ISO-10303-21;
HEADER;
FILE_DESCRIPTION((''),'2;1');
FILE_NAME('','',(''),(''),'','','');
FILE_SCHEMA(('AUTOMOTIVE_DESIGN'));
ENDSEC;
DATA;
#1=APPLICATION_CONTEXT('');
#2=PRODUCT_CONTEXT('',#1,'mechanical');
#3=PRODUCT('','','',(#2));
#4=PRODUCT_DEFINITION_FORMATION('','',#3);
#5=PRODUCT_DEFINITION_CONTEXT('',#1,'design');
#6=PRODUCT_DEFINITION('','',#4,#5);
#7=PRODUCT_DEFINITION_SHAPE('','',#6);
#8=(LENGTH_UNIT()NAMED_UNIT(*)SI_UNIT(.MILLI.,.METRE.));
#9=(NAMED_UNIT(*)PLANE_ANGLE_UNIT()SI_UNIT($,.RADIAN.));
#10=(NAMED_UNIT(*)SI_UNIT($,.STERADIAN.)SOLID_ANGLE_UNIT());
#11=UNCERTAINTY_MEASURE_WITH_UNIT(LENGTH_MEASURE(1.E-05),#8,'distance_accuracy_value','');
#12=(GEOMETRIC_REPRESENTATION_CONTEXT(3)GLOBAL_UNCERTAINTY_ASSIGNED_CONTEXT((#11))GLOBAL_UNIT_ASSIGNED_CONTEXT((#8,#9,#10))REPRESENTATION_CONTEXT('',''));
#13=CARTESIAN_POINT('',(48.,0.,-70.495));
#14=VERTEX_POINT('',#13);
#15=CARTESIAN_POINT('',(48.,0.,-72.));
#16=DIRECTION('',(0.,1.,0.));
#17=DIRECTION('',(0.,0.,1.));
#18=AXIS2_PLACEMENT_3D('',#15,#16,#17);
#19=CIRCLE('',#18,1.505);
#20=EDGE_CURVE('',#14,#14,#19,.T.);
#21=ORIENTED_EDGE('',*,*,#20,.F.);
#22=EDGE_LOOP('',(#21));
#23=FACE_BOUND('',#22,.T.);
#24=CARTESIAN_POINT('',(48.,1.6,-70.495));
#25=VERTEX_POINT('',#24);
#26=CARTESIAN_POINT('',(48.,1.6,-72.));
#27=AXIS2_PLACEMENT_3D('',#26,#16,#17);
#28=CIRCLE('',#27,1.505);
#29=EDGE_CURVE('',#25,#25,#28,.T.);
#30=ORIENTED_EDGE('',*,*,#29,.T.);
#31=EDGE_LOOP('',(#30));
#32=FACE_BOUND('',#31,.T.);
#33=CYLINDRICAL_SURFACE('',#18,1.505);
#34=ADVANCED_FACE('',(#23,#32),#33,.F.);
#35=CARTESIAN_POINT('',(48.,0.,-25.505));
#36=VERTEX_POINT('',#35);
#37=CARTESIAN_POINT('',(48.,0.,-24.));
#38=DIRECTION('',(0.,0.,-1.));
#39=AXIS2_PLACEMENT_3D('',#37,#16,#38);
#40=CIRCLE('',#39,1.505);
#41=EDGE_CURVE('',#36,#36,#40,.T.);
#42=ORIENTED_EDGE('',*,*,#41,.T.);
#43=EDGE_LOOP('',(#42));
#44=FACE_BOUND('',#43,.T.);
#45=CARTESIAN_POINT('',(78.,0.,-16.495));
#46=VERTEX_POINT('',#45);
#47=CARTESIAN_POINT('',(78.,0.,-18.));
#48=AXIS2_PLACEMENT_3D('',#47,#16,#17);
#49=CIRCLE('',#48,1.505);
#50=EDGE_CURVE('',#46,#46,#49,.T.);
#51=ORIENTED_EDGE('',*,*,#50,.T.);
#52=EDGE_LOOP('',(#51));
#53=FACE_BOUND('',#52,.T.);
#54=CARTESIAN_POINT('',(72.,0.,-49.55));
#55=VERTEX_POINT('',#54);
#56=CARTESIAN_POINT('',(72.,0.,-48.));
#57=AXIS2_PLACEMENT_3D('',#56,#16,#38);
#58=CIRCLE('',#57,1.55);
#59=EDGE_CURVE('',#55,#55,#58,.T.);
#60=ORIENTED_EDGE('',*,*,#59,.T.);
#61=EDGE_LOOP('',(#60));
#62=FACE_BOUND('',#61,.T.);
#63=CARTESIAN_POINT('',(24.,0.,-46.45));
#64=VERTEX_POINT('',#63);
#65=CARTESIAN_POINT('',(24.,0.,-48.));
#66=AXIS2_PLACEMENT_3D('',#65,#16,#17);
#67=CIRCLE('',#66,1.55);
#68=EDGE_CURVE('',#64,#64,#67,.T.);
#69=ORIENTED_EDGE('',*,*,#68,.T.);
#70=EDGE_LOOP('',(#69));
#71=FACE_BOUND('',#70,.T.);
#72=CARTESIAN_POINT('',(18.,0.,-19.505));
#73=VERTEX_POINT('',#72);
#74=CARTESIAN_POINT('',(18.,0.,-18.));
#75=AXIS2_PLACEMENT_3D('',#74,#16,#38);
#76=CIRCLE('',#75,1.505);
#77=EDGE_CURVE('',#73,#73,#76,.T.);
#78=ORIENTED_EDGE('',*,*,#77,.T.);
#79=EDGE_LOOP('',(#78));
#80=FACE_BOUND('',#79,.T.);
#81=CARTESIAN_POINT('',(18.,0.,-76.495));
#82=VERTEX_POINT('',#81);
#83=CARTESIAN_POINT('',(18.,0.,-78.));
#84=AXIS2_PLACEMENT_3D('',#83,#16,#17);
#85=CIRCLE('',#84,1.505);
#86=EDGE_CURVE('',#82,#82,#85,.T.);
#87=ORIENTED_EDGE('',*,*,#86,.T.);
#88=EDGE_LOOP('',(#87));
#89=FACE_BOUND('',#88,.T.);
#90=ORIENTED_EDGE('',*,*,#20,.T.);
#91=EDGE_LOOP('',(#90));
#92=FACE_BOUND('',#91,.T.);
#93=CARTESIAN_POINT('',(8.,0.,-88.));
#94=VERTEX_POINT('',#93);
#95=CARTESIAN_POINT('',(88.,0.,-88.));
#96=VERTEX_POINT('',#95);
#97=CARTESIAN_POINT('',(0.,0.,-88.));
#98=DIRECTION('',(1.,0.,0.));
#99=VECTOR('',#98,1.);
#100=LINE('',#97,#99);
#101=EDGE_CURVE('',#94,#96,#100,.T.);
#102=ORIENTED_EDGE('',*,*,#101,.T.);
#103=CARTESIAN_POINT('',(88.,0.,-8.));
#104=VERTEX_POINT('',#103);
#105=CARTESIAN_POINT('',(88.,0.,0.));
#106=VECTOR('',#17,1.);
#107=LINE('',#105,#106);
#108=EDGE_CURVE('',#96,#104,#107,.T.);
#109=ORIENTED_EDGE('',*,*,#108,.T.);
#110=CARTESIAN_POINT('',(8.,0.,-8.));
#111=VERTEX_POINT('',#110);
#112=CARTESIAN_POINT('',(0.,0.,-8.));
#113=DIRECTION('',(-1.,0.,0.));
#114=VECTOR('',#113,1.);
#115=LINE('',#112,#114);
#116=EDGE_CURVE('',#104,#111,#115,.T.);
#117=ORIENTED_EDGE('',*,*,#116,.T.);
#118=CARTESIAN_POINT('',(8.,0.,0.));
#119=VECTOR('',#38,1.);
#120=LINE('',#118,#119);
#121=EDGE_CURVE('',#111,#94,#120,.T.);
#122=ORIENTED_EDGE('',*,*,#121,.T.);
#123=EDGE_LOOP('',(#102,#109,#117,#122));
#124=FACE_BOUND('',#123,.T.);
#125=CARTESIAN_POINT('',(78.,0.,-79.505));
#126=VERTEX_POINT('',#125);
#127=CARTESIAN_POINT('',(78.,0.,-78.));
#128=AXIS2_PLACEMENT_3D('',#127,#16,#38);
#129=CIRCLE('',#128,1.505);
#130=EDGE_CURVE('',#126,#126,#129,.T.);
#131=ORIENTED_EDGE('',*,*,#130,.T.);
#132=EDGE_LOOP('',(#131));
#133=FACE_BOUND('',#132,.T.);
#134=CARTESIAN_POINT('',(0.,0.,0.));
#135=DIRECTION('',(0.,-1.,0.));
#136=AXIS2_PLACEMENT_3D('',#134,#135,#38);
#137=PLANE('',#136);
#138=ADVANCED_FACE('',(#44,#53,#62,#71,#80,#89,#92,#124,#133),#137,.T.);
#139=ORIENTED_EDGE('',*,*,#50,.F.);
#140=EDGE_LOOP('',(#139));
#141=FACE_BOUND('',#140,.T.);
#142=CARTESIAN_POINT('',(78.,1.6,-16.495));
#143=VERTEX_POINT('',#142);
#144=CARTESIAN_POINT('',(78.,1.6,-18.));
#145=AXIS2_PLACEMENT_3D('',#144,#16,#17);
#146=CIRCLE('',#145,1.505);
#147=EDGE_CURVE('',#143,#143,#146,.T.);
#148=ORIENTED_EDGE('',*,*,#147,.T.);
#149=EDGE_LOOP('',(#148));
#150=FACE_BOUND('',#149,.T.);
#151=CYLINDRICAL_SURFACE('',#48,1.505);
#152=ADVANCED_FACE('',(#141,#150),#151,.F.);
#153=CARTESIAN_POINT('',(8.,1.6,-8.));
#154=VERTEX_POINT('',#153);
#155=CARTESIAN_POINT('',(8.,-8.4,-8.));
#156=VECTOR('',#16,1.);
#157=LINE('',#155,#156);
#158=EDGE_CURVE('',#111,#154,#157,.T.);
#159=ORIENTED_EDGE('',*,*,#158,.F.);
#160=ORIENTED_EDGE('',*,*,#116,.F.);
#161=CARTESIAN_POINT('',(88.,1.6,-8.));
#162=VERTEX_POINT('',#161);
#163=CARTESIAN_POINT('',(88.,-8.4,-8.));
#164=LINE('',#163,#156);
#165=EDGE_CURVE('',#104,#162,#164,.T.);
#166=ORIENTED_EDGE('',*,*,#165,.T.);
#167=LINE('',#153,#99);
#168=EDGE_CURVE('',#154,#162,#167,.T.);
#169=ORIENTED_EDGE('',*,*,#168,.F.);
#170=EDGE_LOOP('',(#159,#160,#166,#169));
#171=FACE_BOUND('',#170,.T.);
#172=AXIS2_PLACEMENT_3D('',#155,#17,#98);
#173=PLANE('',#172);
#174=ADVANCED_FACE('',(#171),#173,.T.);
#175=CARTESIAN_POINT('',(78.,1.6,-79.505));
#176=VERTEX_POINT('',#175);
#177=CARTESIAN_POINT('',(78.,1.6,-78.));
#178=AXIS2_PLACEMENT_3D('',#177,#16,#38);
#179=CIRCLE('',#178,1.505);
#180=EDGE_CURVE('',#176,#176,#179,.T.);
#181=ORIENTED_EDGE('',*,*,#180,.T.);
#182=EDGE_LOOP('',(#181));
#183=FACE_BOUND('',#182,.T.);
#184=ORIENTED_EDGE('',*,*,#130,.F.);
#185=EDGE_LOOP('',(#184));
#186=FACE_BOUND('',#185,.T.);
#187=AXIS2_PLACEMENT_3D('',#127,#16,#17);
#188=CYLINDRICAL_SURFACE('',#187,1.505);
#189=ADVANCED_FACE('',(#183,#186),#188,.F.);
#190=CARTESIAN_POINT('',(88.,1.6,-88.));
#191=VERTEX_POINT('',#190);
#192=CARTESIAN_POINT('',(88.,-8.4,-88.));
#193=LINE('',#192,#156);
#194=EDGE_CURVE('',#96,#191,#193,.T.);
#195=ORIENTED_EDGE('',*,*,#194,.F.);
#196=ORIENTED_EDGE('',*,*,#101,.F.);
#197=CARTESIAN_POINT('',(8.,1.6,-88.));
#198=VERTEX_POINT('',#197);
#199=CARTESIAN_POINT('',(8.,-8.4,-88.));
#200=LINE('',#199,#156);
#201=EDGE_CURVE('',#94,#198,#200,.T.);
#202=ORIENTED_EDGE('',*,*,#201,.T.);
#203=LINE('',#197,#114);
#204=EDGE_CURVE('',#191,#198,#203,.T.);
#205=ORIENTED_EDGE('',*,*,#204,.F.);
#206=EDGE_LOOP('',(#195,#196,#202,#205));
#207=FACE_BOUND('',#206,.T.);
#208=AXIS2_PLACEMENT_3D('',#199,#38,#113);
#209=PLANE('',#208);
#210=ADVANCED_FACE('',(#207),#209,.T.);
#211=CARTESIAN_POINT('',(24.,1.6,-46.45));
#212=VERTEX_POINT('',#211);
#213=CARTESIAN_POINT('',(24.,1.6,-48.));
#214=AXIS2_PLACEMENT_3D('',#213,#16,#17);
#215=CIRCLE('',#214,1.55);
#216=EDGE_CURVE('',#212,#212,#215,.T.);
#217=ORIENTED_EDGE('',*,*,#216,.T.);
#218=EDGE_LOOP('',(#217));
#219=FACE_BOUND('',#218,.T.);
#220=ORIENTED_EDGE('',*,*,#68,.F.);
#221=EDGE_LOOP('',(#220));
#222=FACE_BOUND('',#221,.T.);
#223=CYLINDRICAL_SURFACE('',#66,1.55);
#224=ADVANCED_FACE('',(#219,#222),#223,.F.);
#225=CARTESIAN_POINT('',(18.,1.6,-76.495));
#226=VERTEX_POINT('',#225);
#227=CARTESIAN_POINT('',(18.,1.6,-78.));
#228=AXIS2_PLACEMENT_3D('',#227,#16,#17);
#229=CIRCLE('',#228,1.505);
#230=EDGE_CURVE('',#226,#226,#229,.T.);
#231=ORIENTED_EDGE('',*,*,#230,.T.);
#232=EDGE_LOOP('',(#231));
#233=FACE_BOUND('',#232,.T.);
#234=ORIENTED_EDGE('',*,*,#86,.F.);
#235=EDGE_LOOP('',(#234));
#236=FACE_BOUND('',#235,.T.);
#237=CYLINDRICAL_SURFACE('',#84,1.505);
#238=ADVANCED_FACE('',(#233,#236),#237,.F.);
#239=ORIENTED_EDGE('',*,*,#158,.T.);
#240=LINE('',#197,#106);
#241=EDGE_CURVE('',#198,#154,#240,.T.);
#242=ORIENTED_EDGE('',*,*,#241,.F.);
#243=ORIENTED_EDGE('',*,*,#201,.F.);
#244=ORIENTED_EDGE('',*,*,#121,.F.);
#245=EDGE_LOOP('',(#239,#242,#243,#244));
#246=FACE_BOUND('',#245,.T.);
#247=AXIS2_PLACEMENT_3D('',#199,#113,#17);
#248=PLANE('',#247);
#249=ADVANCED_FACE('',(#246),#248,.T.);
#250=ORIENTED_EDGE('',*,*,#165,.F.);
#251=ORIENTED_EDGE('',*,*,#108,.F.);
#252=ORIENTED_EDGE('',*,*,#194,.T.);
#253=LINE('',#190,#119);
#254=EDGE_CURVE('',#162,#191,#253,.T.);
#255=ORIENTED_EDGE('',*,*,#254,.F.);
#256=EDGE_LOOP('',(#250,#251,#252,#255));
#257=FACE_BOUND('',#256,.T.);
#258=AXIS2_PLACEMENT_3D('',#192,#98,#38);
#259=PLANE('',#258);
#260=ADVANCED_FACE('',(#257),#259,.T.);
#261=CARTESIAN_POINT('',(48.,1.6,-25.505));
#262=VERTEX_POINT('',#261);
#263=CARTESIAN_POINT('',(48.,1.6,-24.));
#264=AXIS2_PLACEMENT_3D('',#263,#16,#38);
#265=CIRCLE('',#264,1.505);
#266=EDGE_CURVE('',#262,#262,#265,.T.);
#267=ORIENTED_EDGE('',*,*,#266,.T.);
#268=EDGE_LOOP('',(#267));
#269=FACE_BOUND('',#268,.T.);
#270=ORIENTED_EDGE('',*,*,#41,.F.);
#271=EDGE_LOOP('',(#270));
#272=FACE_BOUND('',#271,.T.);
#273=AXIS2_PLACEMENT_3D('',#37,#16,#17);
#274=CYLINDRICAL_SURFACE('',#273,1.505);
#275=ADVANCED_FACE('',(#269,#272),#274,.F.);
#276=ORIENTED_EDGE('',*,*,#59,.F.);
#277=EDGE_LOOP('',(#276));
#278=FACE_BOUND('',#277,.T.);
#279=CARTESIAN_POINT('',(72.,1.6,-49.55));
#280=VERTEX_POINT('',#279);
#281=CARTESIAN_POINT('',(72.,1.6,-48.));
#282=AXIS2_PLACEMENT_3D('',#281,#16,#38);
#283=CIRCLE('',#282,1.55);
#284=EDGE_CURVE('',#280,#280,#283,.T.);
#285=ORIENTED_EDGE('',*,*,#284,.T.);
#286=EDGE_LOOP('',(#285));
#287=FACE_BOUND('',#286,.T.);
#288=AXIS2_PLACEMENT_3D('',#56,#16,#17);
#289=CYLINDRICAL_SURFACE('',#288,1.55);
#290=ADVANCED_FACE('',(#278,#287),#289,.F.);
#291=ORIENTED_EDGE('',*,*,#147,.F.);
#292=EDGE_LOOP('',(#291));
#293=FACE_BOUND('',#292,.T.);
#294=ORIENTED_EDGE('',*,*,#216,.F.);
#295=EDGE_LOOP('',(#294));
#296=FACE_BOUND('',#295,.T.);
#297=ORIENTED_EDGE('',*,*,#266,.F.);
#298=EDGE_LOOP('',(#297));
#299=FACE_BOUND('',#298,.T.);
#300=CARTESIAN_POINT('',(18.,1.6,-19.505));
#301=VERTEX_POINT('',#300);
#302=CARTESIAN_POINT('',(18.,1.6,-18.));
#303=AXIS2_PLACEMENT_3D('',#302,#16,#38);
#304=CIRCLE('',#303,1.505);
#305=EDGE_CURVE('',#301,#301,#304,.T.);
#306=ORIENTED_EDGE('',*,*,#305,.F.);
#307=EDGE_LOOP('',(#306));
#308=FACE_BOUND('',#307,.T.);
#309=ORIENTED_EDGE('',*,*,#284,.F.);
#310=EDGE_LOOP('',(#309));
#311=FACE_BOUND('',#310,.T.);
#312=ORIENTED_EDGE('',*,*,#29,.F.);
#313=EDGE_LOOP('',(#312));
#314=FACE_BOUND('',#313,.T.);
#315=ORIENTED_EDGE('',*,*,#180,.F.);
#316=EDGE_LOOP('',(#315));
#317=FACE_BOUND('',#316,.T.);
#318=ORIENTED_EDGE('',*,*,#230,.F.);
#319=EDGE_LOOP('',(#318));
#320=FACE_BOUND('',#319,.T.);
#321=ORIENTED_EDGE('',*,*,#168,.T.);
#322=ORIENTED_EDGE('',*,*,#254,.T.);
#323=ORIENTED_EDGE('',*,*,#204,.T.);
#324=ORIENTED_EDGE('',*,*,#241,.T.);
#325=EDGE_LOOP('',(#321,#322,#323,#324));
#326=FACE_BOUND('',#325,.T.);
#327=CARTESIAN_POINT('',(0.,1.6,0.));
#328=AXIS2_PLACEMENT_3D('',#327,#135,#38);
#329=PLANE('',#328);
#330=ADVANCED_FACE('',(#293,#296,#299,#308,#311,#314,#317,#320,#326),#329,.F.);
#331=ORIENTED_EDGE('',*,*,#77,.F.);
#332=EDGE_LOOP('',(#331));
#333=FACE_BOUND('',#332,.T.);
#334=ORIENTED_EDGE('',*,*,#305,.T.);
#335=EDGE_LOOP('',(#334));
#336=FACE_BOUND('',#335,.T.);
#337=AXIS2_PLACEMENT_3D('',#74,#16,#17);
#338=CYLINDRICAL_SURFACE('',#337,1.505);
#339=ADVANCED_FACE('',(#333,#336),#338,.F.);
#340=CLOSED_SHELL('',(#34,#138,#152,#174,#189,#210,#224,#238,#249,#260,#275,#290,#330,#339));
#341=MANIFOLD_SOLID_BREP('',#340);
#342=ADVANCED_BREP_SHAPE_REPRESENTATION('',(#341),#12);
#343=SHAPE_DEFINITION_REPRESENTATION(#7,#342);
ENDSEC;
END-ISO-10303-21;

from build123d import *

# Parameters (mm, degrees)
SKETCH2_W           = 96
SKETCH2_H           = 96
BOSS_EXTRUDE1_DEPTH = 1.6
SKETCH3_R           = 1.55
SKETCH3_R_2         = 1.505
CUT_EXTRUDE1_DEPTH  = 2.6
SKETCH4_OUTSIDE_W   = 125.154
SKETCH4_OUTSIDE_H   = 125.154
SKETCH4_OUTSIDE_W_2 = 80
SKETCH4_OUTSIDE_H_2 = 80
CUT_EXTRUDE2_DEPTH  = 10


with BuildPart() as part:
    # Sketch2 → Boss-Extrude1 (new body)
    with BuildSketch(Plane(origin=(0, 0, 0), x_dir=(1, 0, 0), z_dir=(0, 1, 0))):
        with Locations((48, 48)):
            Rectangle(SKETCH2_W, SKETCH2_H)
    extrude(amount=BOSS_EXTRUDE1_DEPTH)

    # Sketch3 → Cut-Extrude1 (cut, through all)
    with BuildSketch(Plane(origin=(0, 1.6, 0), x_dir=(1, 0, 0), z_dir=(0, 1, 0))):
        with Locations((24, 48)):
            Circle(SKETCH3_R)
        with Locations((72, 48)):
            Circle(SKETCH3_R)
        with Locations((48, 72)):
            Circle(SKETCH3_R_2)
        with Locations((48, 24)):
            Circle(SKETCH3_R_2)
        with Locations((18, 78)):
            Circle(SKETCH3_R_2)
        with Locations((78, 78)):
            Circle(SKETCH3_R_2)
        with Locations((78, 18)):
            Circle(SKETCH3_R_2)
        with Locations((18, 18)):
            Circle(SKETCH3_R_2)
    extrude(amount=-CUT_EXTRUDE1_DEPTH, mode=Mode.SUBTRACT)

    # Sketch4 outside → Cut-Extrude2 (cut)
    with BuildSketch(Plane(origin=(0, 1.6, 0), x_dir=(1, 0, 0), z_dir=(0, 1, 0))):
        with Locations((48, 48)):
            Rectangle(SKETCH4_OUTSIDE_W, SKETCH4_OUTSIDE_H)
        with Locations((48, 48)):
            Rectangle(SKETCH4_OUTSIDE_W_2, SKETCH4_OUTSIDE_H_2, mode=Mode.SUBTRACT)
    extrude(amount=-CUT_EXTRUDE2_DEPTH, mode=Mode.SUBTRACT)


solid = part.part
